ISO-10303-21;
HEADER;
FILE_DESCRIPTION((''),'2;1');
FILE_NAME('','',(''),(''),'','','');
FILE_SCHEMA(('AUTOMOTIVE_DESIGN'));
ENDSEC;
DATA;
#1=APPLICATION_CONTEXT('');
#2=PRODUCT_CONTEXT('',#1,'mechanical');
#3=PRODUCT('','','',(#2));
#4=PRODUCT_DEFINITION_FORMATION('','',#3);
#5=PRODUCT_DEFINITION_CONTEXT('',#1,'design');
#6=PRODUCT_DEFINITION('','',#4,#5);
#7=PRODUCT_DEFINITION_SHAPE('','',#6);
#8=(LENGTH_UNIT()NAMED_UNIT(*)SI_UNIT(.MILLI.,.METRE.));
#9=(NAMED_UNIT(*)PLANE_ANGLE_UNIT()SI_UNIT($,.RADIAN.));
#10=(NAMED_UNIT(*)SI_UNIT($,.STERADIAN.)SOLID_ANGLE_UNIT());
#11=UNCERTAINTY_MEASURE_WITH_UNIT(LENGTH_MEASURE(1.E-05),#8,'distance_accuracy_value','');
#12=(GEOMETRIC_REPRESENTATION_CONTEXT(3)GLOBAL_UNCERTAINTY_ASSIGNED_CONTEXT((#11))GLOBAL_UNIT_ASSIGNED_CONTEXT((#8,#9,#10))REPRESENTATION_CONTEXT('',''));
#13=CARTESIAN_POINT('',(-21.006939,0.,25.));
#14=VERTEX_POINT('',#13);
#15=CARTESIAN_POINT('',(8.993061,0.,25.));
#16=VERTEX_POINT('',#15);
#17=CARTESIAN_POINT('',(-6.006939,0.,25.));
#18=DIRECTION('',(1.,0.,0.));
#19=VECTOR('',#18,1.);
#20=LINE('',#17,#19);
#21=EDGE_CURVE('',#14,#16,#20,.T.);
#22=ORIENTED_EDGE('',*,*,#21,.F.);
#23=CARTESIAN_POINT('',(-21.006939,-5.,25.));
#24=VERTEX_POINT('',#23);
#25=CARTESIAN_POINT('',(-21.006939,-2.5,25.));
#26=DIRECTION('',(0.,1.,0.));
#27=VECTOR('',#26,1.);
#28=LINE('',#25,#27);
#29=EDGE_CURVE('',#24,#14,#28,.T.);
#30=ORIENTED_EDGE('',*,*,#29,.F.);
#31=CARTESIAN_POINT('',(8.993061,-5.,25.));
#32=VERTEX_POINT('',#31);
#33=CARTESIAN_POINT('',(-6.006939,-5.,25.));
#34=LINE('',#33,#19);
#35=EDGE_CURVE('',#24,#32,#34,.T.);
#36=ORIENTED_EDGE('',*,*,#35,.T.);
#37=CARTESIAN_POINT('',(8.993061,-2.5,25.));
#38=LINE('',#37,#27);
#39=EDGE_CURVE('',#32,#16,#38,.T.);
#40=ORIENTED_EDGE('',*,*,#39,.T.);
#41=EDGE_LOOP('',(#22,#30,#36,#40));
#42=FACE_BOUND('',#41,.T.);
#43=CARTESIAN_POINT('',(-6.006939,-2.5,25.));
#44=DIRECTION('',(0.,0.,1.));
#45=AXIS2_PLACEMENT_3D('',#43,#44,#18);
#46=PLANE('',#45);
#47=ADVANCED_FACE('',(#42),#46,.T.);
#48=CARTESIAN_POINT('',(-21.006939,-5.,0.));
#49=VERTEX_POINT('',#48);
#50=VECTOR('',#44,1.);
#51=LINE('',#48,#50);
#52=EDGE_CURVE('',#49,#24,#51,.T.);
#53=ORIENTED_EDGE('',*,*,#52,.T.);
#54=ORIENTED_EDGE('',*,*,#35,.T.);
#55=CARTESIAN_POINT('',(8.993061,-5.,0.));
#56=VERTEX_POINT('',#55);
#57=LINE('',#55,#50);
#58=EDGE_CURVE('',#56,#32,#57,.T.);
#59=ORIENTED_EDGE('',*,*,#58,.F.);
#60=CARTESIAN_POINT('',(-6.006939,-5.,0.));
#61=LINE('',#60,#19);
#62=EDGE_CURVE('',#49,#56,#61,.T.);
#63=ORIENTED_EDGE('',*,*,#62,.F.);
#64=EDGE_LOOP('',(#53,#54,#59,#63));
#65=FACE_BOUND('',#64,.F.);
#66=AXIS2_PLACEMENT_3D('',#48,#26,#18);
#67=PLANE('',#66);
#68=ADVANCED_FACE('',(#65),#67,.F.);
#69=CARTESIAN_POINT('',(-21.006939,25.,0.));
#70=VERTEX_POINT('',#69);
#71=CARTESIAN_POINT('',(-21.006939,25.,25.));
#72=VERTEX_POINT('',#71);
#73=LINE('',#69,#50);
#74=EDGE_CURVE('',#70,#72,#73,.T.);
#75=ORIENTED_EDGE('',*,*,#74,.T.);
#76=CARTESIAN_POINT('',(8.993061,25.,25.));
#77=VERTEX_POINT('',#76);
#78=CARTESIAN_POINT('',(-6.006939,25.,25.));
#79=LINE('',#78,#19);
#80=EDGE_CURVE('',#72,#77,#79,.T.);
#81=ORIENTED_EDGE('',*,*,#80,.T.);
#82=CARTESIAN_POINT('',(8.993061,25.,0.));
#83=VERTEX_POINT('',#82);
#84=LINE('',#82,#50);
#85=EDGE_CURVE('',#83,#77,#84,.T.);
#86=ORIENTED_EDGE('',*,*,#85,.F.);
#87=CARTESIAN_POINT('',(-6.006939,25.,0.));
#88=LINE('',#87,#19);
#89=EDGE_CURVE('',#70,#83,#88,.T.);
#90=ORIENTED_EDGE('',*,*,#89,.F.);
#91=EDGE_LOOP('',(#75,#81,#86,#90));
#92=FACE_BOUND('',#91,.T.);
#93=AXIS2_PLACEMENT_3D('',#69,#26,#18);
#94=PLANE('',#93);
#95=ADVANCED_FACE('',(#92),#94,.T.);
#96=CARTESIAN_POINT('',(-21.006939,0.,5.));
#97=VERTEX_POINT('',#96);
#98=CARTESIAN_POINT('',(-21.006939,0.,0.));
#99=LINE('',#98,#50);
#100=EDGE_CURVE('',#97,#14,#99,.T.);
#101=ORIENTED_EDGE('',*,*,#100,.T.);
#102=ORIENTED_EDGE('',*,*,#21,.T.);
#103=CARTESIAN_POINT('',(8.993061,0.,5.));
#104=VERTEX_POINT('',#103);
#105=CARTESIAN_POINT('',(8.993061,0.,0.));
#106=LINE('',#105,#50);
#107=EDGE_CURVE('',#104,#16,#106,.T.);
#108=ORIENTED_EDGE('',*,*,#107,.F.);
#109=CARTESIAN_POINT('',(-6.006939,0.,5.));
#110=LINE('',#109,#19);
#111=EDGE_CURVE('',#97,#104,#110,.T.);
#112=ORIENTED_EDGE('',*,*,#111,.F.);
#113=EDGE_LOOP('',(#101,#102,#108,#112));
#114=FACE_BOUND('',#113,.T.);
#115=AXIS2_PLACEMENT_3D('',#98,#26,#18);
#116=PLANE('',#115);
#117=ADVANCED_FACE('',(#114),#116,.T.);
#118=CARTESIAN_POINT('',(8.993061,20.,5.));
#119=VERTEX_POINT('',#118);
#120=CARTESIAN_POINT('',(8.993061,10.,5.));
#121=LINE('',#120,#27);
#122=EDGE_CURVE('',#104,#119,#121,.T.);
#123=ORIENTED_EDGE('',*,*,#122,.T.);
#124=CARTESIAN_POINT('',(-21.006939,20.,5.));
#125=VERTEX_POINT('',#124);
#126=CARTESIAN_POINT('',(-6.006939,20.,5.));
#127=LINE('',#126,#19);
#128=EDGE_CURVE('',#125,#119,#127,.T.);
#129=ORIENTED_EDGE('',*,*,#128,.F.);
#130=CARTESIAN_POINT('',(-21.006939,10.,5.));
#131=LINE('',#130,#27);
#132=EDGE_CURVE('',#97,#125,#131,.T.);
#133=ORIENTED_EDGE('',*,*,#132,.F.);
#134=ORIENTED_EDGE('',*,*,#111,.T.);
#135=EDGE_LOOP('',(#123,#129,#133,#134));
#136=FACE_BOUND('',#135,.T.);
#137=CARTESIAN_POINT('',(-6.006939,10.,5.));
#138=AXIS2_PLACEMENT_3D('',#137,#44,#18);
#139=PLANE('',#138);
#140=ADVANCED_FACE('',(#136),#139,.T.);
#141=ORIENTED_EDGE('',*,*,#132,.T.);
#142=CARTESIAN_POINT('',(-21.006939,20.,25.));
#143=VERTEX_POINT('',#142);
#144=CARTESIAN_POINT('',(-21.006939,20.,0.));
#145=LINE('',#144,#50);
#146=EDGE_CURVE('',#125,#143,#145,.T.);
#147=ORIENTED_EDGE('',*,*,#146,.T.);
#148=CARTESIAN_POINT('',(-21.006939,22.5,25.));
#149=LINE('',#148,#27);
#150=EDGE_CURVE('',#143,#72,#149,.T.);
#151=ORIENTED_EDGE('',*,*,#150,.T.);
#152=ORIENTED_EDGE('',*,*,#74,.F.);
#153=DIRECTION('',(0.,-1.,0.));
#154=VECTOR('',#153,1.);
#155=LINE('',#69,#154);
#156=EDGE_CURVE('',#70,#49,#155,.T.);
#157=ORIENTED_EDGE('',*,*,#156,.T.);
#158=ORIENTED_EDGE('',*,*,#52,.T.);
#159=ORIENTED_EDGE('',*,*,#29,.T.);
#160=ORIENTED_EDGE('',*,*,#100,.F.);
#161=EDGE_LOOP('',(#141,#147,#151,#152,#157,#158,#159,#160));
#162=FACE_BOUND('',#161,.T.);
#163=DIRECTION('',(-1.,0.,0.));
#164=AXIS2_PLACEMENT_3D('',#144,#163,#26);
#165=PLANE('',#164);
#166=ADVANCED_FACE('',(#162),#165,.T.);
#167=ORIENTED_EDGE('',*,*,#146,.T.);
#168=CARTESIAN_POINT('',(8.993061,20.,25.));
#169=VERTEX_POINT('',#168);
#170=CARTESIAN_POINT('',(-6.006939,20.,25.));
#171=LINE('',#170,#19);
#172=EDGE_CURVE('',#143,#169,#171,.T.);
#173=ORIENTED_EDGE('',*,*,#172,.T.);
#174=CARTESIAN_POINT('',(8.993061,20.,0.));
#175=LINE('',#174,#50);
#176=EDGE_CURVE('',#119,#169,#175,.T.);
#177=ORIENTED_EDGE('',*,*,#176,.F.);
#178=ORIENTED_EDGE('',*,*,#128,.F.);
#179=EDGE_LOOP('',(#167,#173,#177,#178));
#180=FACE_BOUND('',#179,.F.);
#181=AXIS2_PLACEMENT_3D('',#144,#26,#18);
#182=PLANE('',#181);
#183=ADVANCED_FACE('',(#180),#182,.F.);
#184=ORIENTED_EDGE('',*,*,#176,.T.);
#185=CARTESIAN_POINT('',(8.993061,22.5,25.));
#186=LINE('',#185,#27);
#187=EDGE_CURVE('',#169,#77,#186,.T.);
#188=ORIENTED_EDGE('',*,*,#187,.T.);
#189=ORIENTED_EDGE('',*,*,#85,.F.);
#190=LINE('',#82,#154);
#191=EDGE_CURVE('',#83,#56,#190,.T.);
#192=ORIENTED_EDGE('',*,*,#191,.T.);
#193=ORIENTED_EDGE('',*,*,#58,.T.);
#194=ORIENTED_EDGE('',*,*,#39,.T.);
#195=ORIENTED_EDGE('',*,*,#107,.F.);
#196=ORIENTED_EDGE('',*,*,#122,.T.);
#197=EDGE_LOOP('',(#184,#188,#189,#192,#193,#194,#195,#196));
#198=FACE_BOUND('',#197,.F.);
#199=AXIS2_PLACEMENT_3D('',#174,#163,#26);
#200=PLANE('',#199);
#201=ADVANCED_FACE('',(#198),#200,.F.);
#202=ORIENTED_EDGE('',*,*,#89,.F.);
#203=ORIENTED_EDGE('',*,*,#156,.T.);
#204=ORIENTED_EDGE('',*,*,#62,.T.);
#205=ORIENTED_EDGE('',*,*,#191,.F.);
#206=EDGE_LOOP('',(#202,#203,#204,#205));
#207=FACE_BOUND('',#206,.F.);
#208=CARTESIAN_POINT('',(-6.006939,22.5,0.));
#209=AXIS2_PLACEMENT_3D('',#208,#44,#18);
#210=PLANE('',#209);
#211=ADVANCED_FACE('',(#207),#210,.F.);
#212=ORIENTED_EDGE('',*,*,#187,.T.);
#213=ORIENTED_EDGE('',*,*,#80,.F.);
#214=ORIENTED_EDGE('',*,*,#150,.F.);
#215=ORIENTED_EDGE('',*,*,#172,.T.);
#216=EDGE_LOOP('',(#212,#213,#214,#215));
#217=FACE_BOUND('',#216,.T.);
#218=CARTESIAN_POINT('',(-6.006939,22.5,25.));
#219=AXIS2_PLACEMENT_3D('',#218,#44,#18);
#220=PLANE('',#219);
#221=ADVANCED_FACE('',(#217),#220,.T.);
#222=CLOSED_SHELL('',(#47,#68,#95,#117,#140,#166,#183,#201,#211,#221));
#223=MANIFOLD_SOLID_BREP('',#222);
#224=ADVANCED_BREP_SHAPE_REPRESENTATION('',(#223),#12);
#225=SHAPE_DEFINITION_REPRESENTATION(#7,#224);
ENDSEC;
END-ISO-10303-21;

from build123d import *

# Parameters (mm, degrees)
F0_W     = 30
F0_H     = 20
F1_DEPTH = 5
F0_H_2   = 5
F2_DEPTH = 25


with BuildPart() as f1:
    # F0 (on Top) → F1 (new body)
    with BuildSketch(Plane.XY):
        with Locations((-6.006939, 10)):
            Rectangle(F0_W, F0_H)
    extrude(amount=F1_DEPTH)

    # F0 (on Top) → F2 (join)
    with BuildSketch(Plane.XY):
        with Locations((-6.006939, 22.5)):
            Rectangle(F0_W, F0_H_2)
        with Locations((-6.006939, -2.5)):
            Rectangle(F0_W, F0_H_2)
    extrude(amount=F2_DEPTH)


solid = f1.part
